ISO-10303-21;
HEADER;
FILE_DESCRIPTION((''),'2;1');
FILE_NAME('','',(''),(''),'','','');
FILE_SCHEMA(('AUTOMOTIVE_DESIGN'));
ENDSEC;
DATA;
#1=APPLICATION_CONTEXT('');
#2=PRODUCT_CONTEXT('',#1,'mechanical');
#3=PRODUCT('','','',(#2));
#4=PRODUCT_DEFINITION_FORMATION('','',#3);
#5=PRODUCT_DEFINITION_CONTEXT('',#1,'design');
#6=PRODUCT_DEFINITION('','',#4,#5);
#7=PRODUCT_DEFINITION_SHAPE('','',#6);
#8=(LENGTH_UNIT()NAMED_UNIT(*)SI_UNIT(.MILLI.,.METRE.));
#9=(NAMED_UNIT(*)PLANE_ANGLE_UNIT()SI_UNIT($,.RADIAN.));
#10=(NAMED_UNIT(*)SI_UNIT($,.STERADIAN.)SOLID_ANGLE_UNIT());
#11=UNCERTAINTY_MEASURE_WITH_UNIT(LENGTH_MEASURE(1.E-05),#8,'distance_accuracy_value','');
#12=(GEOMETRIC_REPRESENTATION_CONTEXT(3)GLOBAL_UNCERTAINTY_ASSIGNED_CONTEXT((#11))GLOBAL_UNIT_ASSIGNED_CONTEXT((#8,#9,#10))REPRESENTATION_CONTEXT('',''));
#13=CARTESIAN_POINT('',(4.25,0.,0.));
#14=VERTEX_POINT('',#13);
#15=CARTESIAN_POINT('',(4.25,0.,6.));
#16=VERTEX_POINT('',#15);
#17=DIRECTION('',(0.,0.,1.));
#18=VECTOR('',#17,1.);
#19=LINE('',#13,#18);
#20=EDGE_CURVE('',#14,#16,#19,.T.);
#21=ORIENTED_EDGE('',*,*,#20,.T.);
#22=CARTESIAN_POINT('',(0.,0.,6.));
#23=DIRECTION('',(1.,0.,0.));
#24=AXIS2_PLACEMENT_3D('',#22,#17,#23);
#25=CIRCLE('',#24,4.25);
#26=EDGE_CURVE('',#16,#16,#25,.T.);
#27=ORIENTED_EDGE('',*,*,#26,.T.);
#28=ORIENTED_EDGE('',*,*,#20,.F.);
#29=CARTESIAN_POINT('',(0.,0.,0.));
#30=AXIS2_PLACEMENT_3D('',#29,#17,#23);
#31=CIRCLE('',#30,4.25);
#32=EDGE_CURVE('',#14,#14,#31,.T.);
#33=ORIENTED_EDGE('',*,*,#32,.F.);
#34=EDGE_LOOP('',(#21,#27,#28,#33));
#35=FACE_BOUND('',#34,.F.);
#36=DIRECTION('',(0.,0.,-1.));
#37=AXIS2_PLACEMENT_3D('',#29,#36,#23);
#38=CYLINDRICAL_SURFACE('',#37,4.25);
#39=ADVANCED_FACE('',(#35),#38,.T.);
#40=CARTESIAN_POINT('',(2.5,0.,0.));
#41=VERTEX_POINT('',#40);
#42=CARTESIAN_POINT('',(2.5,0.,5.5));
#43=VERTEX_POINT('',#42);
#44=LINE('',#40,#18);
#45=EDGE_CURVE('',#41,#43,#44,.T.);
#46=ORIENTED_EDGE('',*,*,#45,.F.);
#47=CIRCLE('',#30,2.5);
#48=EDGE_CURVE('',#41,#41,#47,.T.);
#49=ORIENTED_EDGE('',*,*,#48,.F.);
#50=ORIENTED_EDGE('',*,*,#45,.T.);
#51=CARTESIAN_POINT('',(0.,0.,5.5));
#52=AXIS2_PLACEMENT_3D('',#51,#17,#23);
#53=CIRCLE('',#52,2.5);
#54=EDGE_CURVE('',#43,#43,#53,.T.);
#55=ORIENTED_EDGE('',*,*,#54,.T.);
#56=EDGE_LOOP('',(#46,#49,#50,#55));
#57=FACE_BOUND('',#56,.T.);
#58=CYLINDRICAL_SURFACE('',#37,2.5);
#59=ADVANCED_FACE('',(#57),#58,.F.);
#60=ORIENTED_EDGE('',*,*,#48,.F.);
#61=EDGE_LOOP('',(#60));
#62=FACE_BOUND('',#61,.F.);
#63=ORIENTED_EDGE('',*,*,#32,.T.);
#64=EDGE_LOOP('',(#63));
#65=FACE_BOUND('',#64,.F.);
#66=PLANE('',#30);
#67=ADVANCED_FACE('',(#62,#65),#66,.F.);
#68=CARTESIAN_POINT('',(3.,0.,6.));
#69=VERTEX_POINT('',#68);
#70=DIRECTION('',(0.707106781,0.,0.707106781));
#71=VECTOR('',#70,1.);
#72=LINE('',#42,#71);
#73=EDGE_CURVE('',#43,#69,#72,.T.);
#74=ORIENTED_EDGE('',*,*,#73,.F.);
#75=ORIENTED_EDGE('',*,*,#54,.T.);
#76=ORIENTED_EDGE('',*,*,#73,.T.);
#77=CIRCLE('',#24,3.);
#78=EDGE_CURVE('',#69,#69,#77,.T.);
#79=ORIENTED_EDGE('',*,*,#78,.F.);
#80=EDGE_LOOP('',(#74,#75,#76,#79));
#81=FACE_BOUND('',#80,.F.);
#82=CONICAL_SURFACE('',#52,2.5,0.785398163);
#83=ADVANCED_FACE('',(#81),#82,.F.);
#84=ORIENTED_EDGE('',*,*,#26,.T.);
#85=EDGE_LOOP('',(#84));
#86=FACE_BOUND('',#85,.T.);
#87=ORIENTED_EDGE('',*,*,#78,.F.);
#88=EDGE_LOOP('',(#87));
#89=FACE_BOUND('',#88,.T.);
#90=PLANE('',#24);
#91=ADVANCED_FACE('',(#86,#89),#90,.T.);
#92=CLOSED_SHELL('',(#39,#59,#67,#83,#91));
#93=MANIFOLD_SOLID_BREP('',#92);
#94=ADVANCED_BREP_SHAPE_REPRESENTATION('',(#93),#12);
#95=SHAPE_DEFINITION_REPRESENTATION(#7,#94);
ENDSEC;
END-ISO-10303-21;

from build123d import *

# Parameters (mm, degrees)
SKETCH_R     = 4.25
SKETCH_R_2   = 2.5
PAD_DEPTH    = 6
CHAMFER_SIZE = 0.5


with BuildPart() as part:
    # Sketch → Pad (new body)
    with BuildSketch(Plane.XY):
        Circle(SKETCH_R)
        Circle(SKETCH_R_2, mode=Mode.SUBTRACT)
    extrude(amount=PAD_DEPTH)

    # Chamfer
    chamfer_edges = [part.edges().sort_by_distance(p)[0] for p in [
        (-2.5, 0, 6),
    ]]
    chamfer(chamfer_edges, length=CHAMFER_SIZE)


solid = part.part
